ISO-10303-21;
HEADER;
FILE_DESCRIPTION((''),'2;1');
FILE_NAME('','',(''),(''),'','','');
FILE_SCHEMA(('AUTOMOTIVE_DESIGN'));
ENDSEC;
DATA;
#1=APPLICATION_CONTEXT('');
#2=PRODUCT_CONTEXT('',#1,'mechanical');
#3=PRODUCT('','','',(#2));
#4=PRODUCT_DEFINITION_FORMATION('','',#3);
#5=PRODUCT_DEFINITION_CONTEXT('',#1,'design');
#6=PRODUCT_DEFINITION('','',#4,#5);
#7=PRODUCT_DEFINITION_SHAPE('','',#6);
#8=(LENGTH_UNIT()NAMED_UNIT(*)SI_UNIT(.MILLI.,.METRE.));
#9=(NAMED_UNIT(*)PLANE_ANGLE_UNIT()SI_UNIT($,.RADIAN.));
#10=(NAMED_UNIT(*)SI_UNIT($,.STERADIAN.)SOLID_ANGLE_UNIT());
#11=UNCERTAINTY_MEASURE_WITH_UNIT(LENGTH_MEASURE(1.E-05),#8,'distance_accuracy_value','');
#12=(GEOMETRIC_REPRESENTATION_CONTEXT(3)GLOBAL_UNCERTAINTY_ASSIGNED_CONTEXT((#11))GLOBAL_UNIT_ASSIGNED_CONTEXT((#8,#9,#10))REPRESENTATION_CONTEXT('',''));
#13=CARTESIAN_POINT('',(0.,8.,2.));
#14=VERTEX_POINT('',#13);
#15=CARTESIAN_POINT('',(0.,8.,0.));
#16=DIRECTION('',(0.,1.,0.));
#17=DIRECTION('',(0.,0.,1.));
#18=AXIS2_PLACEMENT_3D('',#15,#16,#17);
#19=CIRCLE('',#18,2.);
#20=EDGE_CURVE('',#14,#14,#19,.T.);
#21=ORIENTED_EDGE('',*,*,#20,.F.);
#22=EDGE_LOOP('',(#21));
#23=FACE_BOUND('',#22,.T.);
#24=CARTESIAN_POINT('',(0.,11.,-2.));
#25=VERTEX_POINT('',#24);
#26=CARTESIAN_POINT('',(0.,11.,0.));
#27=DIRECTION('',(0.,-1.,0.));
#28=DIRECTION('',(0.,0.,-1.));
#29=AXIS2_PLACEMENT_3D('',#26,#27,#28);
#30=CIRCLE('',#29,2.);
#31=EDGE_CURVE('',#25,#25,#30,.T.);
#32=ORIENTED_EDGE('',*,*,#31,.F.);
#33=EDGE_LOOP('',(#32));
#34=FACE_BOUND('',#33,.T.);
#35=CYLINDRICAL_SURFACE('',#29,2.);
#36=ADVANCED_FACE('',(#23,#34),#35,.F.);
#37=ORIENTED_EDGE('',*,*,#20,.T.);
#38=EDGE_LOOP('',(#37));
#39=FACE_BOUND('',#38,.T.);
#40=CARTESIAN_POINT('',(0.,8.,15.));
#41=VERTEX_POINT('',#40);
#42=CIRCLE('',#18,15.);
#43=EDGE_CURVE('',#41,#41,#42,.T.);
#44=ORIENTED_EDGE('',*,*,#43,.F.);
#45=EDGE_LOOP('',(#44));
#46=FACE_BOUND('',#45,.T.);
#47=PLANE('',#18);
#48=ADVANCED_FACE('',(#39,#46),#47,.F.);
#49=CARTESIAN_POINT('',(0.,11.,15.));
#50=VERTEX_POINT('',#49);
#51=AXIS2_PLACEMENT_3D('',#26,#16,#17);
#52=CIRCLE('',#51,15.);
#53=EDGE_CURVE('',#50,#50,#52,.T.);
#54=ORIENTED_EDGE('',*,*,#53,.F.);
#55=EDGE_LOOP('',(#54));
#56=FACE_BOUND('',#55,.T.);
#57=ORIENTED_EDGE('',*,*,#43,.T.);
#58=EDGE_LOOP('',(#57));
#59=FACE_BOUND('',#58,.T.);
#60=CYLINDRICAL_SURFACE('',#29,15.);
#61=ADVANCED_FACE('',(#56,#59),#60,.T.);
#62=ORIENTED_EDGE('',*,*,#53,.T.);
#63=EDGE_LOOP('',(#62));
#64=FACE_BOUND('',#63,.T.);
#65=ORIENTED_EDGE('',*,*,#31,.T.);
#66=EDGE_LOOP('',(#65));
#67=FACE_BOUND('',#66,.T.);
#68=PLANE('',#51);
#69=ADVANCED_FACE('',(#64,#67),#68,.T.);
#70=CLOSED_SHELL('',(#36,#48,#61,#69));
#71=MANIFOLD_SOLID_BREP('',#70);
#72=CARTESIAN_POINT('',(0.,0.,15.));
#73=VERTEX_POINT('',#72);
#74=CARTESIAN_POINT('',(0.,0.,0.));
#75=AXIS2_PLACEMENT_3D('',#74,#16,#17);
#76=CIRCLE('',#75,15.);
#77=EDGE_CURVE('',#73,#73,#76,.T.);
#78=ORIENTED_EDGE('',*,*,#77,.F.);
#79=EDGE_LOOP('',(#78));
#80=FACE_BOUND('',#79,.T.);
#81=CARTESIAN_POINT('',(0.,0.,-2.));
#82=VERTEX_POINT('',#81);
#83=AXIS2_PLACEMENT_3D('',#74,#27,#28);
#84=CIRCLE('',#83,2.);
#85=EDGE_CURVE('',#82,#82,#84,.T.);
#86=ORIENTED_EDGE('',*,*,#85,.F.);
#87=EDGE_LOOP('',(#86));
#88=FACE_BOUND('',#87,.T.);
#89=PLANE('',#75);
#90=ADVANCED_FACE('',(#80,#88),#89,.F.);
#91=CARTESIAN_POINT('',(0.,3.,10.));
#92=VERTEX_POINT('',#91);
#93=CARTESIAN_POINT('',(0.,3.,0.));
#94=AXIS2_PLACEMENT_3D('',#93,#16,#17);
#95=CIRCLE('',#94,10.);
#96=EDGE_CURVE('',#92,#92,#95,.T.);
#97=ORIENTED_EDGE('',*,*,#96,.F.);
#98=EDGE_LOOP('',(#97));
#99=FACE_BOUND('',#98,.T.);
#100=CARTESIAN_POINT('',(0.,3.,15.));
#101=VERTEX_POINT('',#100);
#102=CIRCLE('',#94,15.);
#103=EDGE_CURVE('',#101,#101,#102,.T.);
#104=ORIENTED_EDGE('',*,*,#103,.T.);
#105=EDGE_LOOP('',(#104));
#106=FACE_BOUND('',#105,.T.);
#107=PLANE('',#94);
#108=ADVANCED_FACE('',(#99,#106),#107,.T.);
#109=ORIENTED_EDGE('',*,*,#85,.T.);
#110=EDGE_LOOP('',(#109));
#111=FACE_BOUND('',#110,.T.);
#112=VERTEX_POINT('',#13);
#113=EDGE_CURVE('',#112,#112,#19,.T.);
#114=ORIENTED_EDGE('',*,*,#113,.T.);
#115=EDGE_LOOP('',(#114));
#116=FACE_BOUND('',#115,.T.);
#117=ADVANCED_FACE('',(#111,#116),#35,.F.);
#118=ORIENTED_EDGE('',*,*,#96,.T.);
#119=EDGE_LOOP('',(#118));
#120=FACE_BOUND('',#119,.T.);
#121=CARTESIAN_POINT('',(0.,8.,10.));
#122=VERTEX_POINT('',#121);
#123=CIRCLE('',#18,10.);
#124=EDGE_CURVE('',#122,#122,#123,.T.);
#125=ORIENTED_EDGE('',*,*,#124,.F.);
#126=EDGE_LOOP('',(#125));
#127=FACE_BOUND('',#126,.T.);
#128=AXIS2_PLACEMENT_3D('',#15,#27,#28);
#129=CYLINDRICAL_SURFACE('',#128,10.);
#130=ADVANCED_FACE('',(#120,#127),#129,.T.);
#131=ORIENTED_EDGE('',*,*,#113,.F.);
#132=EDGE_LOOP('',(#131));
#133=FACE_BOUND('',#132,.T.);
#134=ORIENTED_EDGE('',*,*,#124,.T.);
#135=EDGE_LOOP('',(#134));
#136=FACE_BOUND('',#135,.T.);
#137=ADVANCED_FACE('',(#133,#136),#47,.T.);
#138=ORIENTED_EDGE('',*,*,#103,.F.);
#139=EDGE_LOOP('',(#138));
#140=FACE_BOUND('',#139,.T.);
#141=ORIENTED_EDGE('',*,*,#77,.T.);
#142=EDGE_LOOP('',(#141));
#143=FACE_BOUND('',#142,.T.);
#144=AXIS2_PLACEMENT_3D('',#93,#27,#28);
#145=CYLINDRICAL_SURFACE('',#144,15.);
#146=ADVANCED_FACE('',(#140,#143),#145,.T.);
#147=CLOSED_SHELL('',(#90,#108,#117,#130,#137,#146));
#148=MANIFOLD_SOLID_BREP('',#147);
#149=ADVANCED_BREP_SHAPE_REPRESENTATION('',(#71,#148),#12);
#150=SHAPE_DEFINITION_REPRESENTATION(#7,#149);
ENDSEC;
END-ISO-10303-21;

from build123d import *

# Parameters (mm, degrees)
SKETCH_1_R          = 15
EXTRUDE_1_DEPTH     = 3
SKETCH_2_R          = 10
EXTRUDE_2_DEPTH     = 5
SKETCH_3_R          = 15
EXTRUDE_3_DEPTH     = 3
SKETCH_5_R          = 2
CUT_EXTRUDE_1_DEPTH = 24.895606291


with BuildPart() as part:
    # ｽｹｯﾁ1 → ﾎﾞｽ - 押し出し1 (new body)
    with BuildSketch(Plane(origin=(0, 0, 0), x_dir=(1, 0, 0), z_dir=(0, 1, 0))):
        with Locations(Location((0, 0, 0), (0, 0, 270))):
            Circle(SKETCH_1_R)
    extrude(amount=EXTRUDE_1_DEPTH)

    # ｽｹｯﾁ2 → ﾎﾞｽ - 押し出し2 (add)
    with BuildSketch(Plane(origin=(0, 3, 0), x_dir=(1, 0, 0), z_dir=(0, 1, 0))):
        with Locations(Location((0, 0, 0), (0, 0, 270))):
            Circle(SKETCH_2_R)
    extrude(amount=EXTRUDE_2_DEPTH)


with BuildPart() as body_2:
    # ｽｹｯﾁ3 → ﾎﾞｽ - 押し出し3 (new body)
    with BuildSketch(Plane(origin=(0, 8, 0), x_dir=(1, 0, 0), z_dir=(0, 1, 0))):
        with Locations(Location((0, 0, 0), (0, 0, 270))):
            Circle(SKETCH_3_R)
    extrude(amount=EXTRUDE_3_DEPTH)


with BuildPart() as cut_extrude_1_tool:
    # ｽｹｯﾁ5 → ｶｯﾄ - 押し出し1 (new, through all)
    with BuildSketch(Plane.XZ):
        with Locations(Location((0, 0, 0), (0, 0, 270))):
            Circle(SKETCH_5_R)
    extrude(amount=-CUT_EXTRUDE_1_DEPTH)


with BuildPart() as part_1:
    add(part.part)

    # ｶｯﾄ - 押し出し1: cut by cut_extrude_1_tool
    add(cut_extrude_1_tool.part, mode=Mode.SUBTRACT)


with BuildPart() as body_2_1:
    add(body_2.part)

    # ｶｯﾄ - 押し出し1: cut by cut_extrude_1_tool
    add(cut_extrude_1_tool.part, mode=Mode.SUBTRACT)


solid = Compound([part_1.part, body_2_1.part])
